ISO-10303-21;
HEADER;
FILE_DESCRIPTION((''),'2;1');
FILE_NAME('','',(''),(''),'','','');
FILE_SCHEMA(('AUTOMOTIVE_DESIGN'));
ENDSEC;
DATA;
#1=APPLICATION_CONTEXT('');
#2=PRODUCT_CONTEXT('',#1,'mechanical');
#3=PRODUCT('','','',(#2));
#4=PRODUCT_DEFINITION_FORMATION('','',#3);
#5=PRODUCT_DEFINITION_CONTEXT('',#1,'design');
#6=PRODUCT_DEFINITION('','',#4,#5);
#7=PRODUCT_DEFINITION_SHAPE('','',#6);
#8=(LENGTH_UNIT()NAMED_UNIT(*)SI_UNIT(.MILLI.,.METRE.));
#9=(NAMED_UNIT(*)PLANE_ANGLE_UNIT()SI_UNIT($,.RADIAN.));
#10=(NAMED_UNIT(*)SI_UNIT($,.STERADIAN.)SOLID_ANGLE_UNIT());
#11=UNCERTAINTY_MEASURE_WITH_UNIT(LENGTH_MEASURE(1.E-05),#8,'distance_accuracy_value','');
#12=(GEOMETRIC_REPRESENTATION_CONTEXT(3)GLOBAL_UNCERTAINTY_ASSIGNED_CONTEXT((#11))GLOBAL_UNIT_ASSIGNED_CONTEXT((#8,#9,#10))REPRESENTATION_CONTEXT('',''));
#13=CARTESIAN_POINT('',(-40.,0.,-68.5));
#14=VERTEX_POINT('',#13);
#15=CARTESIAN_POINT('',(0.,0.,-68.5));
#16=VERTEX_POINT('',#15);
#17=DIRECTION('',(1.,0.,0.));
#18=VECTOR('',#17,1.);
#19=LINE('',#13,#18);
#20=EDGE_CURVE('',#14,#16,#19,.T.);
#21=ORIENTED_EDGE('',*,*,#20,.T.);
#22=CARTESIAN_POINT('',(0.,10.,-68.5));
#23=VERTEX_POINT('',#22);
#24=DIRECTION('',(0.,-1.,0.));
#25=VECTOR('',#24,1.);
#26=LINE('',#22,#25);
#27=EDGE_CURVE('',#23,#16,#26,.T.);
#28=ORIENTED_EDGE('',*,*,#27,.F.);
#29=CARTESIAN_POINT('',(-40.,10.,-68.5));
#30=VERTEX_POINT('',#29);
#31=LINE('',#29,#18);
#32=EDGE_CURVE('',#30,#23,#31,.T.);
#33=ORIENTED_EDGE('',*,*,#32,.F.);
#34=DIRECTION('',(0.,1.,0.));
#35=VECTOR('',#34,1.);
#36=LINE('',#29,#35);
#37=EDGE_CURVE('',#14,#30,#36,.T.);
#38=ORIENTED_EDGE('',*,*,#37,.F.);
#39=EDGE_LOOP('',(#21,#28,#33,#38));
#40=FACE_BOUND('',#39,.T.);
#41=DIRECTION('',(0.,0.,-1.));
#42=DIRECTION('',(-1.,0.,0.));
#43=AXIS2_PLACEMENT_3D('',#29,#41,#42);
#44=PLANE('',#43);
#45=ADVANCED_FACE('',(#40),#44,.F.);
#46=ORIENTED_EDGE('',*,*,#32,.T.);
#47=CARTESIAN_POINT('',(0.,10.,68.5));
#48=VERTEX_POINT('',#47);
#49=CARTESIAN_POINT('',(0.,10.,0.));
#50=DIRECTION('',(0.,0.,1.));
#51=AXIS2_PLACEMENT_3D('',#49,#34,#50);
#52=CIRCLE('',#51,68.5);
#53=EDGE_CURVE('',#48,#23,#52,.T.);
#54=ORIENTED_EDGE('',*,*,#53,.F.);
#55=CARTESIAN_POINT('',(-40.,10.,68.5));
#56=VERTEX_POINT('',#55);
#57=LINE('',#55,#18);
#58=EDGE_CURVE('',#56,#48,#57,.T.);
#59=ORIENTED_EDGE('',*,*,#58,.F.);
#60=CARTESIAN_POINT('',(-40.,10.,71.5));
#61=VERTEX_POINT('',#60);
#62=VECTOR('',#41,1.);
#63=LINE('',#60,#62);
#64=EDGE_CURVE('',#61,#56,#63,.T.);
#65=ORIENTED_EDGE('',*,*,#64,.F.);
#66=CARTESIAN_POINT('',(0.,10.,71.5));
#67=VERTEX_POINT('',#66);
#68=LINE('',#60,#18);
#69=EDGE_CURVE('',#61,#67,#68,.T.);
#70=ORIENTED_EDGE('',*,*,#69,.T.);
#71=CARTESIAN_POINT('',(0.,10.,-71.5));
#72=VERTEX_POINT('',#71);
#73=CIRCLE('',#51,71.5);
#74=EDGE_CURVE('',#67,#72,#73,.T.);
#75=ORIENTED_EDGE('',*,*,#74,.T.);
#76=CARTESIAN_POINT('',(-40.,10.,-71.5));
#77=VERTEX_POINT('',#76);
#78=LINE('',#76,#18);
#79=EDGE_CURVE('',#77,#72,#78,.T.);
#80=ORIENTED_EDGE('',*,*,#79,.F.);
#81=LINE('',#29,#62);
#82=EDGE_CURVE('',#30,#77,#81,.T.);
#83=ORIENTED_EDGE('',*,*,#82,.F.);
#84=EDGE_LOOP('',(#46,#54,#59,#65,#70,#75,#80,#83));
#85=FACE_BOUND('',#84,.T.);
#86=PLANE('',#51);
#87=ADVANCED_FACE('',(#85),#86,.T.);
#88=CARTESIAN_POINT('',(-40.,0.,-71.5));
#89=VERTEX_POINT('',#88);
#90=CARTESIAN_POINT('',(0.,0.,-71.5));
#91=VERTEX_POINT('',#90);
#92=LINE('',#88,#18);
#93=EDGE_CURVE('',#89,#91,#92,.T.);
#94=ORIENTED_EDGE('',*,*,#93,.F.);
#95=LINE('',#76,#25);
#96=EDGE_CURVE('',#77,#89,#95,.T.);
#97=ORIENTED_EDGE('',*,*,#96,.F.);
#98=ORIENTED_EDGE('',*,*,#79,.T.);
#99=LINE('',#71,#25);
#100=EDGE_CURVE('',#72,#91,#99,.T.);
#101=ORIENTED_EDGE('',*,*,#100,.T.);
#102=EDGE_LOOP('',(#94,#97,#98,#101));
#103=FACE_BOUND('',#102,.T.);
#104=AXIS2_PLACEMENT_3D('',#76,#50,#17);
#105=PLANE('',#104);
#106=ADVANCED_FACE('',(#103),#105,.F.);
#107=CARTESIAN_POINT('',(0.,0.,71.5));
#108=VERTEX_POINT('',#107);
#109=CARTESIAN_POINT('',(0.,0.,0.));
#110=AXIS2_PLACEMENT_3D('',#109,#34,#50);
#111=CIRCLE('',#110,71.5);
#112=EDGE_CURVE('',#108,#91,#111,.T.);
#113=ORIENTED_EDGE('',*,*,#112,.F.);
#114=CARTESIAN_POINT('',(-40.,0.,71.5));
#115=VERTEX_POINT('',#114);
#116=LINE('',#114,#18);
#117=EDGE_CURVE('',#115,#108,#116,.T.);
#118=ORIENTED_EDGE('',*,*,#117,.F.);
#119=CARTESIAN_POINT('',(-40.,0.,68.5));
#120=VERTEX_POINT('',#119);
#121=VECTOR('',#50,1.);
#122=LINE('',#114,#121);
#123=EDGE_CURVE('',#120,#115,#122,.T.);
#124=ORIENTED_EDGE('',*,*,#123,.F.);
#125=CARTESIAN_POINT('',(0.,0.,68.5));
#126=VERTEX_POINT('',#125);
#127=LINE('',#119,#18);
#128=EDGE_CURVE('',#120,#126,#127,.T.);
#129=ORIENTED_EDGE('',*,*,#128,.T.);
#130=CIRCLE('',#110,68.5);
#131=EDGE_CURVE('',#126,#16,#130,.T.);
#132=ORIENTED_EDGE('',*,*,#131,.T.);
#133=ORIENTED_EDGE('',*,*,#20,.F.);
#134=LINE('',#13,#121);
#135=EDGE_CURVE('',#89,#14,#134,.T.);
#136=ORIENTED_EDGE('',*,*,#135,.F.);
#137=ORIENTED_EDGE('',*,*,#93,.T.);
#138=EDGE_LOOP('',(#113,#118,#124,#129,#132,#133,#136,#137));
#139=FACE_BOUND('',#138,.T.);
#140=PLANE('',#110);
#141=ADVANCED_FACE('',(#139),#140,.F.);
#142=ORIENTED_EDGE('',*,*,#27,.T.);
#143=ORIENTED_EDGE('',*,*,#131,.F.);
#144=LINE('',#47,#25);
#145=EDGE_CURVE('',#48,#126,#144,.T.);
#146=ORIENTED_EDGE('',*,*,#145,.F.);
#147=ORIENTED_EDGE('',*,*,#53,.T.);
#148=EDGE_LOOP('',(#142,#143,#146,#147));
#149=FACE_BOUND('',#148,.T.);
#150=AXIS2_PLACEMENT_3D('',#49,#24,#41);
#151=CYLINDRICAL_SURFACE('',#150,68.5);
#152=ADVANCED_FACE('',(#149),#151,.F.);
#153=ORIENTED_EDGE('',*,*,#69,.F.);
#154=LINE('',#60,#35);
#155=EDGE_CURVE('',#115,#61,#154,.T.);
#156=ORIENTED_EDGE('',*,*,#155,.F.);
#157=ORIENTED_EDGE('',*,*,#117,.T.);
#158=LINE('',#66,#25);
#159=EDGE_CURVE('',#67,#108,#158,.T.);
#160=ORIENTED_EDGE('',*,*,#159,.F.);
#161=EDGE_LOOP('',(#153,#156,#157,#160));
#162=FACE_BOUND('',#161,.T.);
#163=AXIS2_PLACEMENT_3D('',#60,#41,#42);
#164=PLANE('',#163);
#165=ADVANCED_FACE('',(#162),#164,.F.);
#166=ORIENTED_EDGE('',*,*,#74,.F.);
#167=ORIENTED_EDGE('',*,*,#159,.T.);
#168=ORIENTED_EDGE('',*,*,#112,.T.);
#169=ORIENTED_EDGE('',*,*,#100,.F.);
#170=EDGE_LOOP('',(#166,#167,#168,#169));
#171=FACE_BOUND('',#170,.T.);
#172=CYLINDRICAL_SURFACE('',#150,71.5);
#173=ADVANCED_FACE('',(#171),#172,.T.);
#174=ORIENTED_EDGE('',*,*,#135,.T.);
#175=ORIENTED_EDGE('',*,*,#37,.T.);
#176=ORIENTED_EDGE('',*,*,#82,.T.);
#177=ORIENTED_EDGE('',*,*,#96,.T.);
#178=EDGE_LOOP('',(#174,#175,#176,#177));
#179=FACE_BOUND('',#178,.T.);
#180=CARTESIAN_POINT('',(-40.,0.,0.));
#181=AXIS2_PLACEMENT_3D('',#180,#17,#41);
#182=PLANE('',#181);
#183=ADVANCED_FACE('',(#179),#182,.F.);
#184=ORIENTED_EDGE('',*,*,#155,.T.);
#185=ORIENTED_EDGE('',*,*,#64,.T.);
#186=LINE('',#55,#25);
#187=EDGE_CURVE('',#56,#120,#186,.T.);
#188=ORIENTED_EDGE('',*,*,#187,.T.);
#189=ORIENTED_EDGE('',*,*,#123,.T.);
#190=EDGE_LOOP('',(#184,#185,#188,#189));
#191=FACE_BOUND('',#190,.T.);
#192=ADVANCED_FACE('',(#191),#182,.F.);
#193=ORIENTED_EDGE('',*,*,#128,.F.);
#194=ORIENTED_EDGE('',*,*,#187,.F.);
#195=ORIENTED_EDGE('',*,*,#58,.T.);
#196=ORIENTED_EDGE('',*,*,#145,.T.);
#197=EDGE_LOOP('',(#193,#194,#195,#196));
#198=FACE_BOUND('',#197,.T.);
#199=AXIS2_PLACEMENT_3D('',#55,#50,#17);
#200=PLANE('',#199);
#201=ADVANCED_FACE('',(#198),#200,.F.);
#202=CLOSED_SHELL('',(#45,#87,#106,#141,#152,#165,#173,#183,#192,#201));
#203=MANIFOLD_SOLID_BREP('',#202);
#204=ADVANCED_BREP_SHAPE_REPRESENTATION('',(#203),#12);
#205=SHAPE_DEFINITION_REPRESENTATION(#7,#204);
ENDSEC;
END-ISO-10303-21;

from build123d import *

# Parameters (mm, degrees)
BOSS_EXTRU_1_DEPTH = 10
ESQUISSE3_W        = 3
ESQUISSE3_H        = 10
BOSS_EXTRU_2_DEPTH = 40


with BuildPart() as part:
    # Esquisse2 → Boss.-Extru.1 (new body)
    with BuildSketch(Plane(origin=(0, 0, 0), x_dir=(1, 0, 0), z_dir=(0, 1, 0))):
        with BuildLine():
            Line((0, 71.5), (0, 68.5))
            ThreePointArc((0, 68.5), (48.436814511, 48.436814511), (68.5, 0))
            ThreePointArc((68.5, 0), (48.436814511, -48.436814511), (0, -68.5))
            Line((0, -68.5), (0, -71.5))
            ThreePointArc((0, -71.5), (50.558134855, -50.558134855), (71.5, 0))
            ThreePointArc((71.5, 0), (50.558134855, 50.558134855), (0, 71.5))
        make_face()
    extrude(amount=BOSS_EXTRU_1_DEPTH)

    # Esquisse3 → Boss.-Extru.2 (add)
    with BuildSketch(Plane.ZY):
        with Locations((-70, 5)):
            Rectangle(ESQUISSE3_W, ESQUISSE3_H)
        with Locations((70, 5)):
            Rectangle(ESQUISSE3_W, ESQUISSE3_H)
    extrude(amount=BOSS_EXTRU_2_DEPTH)


solid = part.part
